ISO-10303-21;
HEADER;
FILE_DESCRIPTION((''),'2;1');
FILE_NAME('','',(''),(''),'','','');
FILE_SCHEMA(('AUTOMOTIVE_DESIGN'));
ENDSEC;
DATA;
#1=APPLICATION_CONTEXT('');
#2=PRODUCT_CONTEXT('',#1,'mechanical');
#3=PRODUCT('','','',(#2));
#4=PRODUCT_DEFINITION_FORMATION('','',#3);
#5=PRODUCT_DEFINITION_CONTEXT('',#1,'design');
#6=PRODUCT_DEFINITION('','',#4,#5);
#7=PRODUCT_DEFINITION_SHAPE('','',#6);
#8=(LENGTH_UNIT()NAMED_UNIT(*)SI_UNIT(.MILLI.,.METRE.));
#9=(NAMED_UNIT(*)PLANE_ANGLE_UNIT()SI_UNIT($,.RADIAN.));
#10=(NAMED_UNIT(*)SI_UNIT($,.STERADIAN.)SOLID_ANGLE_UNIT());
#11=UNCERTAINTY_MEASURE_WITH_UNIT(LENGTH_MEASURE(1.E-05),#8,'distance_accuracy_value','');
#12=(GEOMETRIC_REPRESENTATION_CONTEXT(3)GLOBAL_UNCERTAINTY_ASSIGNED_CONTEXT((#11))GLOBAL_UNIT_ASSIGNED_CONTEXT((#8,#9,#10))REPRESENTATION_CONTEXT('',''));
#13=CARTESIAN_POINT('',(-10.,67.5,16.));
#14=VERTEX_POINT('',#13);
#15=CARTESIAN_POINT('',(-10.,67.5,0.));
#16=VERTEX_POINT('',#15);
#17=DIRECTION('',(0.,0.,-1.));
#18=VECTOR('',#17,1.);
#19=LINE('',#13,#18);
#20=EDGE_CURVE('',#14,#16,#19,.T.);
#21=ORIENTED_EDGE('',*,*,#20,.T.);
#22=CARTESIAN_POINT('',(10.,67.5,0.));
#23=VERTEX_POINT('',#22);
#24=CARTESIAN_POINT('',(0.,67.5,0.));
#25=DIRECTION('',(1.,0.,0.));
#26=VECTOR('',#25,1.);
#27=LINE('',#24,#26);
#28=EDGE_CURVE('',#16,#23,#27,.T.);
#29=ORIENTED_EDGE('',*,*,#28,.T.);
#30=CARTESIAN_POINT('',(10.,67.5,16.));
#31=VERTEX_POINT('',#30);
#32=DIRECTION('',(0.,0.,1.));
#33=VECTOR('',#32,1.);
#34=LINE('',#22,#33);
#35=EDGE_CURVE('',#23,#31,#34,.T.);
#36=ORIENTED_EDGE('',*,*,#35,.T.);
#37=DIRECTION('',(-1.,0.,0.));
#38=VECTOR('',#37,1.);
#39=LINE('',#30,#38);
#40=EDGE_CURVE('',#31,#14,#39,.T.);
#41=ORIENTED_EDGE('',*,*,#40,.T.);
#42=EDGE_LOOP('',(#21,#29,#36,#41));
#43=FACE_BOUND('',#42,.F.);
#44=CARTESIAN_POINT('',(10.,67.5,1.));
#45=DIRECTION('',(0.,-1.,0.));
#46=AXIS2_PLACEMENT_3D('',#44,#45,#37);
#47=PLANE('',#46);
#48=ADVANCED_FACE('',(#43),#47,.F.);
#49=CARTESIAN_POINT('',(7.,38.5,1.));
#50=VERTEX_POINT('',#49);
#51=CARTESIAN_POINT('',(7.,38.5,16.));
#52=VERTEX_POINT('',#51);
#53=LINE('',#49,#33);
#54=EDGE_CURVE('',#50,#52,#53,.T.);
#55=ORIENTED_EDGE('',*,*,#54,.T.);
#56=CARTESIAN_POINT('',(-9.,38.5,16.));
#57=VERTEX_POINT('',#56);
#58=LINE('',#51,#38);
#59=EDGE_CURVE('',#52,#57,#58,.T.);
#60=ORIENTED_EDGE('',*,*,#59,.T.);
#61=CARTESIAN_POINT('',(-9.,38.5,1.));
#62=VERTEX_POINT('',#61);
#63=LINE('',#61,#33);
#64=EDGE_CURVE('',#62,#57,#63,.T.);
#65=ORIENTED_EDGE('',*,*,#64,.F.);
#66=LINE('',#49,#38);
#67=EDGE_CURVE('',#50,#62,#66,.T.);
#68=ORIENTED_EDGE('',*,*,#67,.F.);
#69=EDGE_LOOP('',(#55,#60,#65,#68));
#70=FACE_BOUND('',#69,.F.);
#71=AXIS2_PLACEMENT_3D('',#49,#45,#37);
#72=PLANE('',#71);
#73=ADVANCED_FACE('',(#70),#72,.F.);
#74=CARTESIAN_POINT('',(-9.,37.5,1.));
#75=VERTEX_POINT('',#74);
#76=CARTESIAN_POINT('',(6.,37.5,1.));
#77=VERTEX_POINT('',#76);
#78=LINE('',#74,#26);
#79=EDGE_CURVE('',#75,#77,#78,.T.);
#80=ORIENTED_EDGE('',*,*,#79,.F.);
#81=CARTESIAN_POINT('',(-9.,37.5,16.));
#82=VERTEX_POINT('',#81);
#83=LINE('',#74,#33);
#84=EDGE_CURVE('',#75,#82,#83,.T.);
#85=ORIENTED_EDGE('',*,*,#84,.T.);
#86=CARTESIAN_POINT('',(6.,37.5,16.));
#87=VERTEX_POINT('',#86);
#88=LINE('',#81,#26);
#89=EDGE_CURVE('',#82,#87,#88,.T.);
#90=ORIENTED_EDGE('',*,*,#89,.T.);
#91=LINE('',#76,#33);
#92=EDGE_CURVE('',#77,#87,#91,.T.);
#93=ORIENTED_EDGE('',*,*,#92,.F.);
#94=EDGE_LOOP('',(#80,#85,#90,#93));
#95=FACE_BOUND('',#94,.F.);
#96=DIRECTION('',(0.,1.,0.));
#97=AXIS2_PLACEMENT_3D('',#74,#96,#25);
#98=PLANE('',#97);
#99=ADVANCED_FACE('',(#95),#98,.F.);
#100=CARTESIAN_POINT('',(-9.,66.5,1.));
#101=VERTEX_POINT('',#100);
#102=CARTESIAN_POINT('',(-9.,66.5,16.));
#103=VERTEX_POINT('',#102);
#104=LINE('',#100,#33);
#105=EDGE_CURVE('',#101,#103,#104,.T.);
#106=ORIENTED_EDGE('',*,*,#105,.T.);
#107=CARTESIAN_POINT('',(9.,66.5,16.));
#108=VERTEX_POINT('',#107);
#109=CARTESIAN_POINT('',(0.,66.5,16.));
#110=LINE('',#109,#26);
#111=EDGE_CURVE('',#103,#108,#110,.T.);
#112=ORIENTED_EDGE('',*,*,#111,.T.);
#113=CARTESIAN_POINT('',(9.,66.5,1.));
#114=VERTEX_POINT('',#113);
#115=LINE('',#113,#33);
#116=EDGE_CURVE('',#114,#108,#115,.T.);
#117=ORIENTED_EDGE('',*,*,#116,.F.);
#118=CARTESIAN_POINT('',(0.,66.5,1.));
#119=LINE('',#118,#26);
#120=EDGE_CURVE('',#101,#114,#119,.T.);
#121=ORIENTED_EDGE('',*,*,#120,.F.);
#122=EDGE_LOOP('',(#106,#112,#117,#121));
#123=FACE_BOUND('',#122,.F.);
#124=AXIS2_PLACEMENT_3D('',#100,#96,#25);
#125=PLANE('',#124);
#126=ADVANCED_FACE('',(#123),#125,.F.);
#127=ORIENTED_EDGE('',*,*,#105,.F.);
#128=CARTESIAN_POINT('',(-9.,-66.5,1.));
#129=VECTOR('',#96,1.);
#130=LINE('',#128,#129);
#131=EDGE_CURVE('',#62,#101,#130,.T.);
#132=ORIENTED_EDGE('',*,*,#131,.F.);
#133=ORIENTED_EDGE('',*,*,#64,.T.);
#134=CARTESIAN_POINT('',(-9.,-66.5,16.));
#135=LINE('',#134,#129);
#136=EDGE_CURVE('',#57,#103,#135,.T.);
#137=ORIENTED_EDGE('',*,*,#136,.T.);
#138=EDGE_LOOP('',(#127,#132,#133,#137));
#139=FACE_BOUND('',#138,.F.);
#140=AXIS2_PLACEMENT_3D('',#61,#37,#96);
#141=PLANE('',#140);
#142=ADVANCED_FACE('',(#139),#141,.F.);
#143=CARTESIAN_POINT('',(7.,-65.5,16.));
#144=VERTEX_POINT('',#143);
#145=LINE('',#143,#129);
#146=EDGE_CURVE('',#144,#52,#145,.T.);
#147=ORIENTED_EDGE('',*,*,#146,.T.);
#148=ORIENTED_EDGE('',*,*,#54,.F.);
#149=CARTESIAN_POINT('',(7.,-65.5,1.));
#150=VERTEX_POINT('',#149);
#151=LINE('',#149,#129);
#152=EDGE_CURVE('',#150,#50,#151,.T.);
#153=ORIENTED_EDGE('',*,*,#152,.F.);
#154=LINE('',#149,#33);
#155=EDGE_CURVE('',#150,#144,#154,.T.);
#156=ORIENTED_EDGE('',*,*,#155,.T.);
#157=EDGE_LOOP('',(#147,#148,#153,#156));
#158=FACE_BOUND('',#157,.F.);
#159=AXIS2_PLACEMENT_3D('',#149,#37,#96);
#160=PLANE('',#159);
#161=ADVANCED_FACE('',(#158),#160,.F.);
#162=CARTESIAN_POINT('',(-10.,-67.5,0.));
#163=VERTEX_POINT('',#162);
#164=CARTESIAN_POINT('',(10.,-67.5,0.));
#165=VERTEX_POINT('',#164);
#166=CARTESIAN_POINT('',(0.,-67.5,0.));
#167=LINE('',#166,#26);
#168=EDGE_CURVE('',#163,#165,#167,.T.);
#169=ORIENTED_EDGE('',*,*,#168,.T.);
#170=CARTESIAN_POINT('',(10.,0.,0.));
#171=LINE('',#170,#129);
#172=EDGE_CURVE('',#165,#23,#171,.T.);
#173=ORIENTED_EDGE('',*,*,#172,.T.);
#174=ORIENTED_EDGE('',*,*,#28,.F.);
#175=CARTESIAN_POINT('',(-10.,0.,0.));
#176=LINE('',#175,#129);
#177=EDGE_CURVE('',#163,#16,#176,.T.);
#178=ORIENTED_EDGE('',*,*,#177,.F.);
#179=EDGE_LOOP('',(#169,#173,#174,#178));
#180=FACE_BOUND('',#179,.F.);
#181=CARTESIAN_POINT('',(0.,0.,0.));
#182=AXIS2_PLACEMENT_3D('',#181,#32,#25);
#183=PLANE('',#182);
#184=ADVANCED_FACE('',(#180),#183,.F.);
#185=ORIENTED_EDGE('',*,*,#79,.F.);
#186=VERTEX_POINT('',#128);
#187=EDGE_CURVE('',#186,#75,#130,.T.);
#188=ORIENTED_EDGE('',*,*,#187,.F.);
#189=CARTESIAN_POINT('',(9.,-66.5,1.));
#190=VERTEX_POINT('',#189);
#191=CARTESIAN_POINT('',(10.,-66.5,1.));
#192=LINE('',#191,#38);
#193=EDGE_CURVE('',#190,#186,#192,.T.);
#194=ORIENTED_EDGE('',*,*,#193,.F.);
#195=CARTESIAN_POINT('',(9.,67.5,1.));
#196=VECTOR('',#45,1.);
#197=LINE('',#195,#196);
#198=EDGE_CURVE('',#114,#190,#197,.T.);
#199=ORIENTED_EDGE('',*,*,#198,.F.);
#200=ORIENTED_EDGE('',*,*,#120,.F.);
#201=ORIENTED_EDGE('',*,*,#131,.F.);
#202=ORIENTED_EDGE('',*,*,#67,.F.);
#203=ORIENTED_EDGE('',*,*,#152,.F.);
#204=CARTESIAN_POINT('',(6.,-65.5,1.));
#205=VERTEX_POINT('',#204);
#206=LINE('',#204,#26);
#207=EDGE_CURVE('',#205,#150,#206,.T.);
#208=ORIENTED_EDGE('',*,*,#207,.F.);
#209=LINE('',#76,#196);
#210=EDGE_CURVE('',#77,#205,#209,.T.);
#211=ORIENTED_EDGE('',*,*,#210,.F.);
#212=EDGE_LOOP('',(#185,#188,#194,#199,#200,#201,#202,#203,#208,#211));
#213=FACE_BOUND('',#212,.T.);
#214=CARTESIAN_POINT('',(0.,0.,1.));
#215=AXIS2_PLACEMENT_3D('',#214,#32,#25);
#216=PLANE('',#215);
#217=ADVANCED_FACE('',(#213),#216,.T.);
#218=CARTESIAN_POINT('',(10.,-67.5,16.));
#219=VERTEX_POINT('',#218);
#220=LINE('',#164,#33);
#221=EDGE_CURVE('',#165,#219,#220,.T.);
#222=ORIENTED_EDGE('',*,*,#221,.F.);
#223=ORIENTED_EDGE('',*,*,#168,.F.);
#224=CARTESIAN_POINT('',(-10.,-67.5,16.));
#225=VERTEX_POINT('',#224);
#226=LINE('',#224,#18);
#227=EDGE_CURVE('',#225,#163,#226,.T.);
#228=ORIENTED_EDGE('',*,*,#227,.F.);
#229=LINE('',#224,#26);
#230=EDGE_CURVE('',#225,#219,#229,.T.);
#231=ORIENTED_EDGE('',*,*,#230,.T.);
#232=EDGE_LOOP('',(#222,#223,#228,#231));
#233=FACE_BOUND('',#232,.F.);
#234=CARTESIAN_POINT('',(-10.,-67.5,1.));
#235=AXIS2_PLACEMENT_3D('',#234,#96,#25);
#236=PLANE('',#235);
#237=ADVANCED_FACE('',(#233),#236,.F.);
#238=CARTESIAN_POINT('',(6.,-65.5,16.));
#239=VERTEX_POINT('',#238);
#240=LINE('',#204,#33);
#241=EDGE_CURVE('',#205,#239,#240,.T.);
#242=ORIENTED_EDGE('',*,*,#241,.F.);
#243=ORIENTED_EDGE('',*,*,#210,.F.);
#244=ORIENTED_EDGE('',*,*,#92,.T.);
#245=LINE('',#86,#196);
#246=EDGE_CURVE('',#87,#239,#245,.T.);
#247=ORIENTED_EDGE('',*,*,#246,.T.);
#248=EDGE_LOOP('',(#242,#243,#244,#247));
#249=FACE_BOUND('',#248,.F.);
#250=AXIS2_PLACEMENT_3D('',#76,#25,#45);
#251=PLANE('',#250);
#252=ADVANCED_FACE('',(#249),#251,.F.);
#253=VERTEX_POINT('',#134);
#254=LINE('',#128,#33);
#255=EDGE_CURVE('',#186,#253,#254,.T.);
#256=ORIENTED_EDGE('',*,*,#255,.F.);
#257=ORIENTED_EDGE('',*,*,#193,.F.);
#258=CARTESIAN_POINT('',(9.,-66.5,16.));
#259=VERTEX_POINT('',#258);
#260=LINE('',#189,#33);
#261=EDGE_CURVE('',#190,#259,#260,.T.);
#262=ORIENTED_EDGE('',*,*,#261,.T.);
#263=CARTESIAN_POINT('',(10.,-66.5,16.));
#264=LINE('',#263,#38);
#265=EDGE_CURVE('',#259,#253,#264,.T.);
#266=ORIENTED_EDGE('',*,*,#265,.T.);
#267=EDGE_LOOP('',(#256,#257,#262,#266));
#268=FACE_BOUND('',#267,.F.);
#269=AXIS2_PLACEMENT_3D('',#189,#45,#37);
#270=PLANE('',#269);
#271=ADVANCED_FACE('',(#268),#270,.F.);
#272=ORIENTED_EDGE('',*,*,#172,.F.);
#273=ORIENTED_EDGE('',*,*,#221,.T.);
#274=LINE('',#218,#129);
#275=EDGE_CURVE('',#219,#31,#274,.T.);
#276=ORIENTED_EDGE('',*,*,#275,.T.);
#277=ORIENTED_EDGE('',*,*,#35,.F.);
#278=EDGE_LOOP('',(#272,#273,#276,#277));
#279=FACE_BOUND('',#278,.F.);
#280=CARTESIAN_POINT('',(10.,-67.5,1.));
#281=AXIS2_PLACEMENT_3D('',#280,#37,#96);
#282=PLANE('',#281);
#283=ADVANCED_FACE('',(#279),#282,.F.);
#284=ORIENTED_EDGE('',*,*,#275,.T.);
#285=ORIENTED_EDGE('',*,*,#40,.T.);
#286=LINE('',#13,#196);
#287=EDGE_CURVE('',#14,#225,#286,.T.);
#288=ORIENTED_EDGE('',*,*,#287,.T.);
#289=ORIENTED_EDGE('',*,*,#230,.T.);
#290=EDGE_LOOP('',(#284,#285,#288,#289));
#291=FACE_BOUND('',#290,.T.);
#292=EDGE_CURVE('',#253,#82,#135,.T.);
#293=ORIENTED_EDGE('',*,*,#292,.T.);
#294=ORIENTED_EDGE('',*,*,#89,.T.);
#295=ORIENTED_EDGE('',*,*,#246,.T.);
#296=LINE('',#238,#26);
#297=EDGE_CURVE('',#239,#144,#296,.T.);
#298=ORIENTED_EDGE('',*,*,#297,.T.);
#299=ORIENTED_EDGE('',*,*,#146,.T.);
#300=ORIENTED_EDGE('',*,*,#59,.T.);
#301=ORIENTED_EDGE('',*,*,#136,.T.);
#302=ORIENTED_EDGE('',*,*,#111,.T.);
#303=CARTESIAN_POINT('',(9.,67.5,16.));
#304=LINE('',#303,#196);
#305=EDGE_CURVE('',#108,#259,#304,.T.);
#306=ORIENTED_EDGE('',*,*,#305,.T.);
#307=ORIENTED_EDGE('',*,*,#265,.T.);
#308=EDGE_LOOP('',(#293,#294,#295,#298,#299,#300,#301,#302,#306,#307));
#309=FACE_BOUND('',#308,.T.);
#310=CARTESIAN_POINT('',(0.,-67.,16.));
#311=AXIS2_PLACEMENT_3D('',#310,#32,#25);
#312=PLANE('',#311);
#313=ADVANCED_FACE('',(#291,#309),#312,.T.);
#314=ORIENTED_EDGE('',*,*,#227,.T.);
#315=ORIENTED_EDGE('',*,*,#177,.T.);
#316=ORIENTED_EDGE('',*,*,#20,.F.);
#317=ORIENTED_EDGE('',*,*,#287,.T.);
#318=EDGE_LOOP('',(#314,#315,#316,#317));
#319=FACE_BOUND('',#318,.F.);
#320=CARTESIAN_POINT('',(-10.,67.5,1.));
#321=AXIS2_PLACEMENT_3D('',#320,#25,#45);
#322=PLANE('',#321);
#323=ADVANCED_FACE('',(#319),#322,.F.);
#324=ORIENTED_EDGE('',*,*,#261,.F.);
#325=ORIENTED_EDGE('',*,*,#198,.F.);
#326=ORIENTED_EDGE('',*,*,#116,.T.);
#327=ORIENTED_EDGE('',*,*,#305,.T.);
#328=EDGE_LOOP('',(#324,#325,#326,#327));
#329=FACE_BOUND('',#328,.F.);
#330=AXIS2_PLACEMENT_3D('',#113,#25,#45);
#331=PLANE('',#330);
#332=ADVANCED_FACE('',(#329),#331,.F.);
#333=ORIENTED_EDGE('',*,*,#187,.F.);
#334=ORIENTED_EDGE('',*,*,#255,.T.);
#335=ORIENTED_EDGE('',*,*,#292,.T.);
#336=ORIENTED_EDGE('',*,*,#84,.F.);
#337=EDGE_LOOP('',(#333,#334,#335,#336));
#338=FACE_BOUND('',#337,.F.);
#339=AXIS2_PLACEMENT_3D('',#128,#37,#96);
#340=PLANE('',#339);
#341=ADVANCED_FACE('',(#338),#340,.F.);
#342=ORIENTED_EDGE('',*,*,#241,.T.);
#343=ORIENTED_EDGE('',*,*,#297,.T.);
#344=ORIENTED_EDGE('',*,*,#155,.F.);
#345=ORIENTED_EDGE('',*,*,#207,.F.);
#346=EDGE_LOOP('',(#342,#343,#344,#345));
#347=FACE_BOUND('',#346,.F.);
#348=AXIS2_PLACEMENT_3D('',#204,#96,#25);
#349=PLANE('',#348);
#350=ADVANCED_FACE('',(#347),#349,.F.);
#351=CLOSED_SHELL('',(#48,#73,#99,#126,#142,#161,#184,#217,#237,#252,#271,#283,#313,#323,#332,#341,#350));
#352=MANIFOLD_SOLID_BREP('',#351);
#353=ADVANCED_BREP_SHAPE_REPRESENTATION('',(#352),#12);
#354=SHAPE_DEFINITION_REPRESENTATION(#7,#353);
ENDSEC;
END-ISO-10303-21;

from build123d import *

# Parameters (mm, degrees)
F0_W     = 20
F0_H     = 135
F1_DEPTH = 1
F2_W     = 18
F2_H     = 1
F3_DEPTH = 15


with BuildPart() as f1:
    # F0 (on Top) → F1 (new body)
    with BuildSketch(Plane.XY):
        Rectangle(F0_W, F0_H)
    extrude(amount=F1_DEPTH)

    # F2 (on face) → F3 (join)
    with BuildSketch(Plane.XY.offset(1)):
        Polygon((-10, -66.5), (-10, -67.5), (10, -67.5), (10, -66.5), (9, -66.5), (-9, -66.5), align=None)
        Polygon((-10, 67.5), (-10, -66.5), (-9, -66.5), (-9, 37.5), (-9, 38.5), (-9, 66.5), (-9, 67.5), align=None)
        Polygon((9, -66.5), (10, -66.5), (10, 67.5), (9, 67.5), (9, 66.5), align=None)
        with Locations((0, 67)):
            Rectangle(F2_W, F2_H)
        Polygon((-9, 38.5), (-9, 37.5), (6, 37.5), (6, -65.5), (7, -65.5), (7, 38.5), align=None)
    extrude(amount=F3_DEPTH)


solid = f1.part
